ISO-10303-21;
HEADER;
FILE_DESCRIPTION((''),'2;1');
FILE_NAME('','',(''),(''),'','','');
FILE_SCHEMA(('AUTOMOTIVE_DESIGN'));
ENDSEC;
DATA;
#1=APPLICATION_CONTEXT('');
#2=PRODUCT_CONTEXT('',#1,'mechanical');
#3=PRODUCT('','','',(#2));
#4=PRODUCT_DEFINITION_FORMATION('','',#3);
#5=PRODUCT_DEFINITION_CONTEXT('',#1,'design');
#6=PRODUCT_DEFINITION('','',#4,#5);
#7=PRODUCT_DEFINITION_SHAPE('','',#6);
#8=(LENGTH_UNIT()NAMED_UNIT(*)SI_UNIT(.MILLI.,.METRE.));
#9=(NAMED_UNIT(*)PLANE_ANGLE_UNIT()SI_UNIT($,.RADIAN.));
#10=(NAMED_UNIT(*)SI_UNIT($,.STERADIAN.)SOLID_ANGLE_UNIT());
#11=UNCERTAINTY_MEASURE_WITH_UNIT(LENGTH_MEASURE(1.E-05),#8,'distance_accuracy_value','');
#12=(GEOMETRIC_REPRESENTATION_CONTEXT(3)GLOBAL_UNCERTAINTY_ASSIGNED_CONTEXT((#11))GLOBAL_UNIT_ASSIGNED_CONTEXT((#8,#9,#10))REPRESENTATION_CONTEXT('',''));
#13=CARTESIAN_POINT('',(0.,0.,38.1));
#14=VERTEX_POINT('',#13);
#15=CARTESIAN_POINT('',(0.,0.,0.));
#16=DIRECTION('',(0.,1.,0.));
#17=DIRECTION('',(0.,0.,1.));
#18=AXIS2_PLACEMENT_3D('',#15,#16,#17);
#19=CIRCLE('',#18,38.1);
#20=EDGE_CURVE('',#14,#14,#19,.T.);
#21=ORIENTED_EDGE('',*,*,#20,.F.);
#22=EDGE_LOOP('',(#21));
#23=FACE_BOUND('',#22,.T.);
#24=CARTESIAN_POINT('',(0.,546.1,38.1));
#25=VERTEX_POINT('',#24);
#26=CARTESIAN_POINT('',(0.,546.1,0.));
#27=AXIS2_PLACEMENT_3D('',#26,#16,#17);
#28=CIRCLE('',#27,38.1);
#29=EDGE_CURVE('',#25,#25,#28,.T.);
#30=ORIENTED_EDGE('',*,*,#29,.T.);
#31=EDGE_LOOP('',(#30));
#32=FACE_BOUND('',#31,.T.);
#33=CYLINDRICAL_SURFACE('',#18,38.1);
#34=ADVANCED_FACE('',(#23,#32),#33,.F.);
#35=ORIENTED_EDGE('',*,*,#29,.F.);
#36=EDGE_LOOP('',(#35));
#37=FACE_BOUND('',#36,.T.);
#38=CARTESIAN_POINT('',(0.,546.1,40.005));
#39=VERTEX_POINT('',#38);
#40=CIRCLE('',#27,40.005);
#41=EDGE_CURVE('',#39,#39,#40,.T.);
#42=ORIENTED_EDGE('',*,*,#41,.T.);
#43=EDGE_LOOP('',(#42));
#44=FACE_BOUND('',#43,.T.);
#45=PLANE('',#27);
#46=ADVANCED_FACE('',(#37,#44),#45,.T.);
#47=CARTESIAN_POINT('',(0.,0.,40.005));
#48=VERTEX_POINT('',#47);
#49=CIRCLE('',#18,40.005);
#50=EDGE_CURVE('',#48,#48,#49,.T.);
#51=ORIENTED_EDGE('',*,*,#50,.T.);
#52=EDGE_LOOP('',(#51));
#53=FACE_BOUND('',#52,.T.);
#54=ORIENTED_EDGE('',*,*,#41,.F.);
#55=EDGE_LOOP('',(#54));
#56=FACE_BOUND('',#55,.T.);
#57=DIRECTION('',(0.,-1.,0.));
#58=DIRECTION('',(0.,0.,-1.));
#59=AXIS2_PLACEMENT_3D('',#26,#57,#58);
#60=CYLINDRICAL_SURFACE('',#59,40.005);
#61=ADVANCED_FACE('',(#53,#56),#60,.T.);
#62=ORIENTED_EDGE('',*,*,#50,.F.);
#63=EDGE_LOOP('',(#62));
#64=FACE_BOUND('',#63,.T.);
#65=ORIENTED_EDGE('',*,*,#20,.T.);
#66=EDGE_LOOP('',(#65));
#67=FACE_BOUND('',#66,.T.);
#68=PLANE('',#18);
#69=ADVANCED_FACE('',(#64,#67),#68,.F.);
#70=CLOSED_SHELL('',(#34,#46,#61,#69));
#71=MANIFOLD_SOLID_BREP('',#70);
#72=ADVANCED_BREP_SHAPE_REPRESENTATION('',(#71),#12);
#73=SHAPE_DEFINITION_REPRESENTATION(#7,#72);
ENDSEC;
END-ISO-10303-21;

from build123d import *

# Parameters (mm, degrees)
SKETCH1_R           = 40.005
BOSS_EXTRUDE1_DEPTH = 546.1
SKETCH2_R           = 38.1
CUT_EXTRUDE1_DEPTH  = 546.1


with BuildPart() as part:
    # Sketch1 → Boss-Extrude1 (new body)
    with BuildSketch(Plane(origin=(0, 0, 0), x_dir=(1, 0, 0), z_dir=(0, 1, 0))):
        Circle(SKETCH1_R)
    extrude(amount=BOSS_EXTRUDE1_DEPTH)

    # Sketch2 → Cut-Extrude1 (cut)
    with BuildSketch(Plane(origin=(0, 546.1, 0), x_dir=(1, 0, 0), z_dir=(0, 1, 0))):
        Circle(SKETCH2_R)
    extrude(amount=-CUT_EXTRUDE1_DEPTH, mode=Mode.SUBTRACT)


solid = part.part
